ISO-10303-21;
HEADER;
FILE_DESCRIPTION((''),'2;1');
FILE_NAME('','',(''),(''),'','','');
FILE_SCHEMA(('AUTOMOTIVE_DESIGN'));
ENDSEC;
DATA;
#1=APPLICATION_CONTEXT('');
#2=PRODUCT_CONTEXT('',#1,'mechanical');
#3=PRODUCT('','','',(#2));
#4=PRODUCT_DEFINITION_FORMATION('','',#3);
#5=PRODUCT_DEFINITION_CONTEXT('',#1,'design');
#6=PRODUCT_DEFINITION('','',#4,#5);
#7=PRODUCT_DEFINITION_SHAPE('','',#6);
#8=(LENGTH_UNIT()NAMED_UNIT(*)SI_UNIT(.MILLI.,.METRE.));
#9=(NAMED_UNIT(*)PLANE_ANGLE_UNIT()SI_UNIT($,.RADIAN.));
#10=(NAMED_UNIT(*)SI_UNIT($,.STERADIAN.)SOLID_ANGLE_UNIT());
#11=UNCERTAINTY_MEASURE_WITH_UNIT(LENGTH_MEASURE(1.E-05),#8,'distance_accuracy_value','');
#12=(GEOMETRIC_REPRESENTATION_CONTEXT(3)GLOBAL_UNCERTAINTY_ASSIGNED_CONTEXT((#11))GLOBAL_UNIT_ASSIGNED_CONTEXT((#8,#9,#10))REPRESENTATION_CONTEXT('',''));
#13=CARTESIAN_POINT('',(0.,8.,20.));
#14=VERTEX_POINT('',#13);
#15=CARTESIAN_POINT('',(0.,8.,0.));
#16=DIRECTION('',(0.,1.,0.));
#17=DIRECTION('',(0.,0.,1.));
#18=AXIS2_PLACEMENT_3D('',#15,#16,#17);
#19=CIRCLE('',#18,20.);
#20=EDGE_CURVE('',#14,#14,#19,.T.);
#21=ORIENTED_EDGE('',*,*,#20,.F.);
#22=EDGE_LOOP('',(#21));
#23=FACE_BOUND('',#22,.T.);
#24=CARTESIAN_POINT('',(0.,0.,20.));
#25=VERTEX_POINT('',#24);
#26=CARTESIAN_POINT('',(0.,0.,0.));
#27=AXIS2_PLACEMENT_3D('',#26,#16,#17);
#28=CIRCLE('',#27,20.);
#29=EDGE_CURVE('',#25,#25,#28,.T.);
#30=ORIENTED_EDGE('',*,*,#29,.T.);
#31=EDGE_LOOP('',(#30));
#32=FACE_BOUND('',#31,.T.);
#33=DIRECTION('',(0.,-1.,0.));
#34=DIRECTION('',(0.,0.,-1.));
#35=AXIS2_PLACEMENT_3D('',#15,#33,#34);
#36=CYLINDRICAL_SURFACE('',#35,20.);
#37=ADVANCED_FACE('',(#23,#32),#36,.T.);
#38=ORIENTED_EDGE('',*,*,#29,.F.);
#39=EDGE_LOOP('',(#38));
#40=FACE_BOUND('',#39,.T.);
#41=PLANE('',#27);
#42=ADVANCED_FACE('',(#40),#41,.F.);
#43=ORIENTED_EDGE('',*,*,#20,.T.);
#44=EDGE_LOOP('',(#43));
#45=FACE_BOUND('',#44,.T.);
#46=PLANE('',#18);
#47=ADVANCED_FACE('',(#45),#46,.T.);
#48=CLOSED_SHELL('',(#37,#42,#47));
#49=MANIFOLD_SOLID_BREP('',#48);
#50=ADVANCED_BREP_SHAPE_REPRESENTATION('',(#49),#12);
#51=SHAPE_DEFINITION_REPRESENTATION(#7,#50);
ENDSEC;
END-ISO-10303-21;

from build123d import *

# Parameters (mm, degrees)
SKETCH_1_R      = 20
EXTRUDE_1_DEPTH = 8


with BuildPart() as part:
    # 草图1 → 凸台-拉伸1 (new body)
    with BuildSketch(Plane(origin=(0, 0, 0), x_dir=(1, 0, 0), z_dir=(0, 1, 0))):
        with Locations(Location((0, 0, 0), (0, 0, 270))):
            Circle(SKETCH_1_R)
    extrude(amount=EXTRUDE_1_DEPTH)


solid = part.part
